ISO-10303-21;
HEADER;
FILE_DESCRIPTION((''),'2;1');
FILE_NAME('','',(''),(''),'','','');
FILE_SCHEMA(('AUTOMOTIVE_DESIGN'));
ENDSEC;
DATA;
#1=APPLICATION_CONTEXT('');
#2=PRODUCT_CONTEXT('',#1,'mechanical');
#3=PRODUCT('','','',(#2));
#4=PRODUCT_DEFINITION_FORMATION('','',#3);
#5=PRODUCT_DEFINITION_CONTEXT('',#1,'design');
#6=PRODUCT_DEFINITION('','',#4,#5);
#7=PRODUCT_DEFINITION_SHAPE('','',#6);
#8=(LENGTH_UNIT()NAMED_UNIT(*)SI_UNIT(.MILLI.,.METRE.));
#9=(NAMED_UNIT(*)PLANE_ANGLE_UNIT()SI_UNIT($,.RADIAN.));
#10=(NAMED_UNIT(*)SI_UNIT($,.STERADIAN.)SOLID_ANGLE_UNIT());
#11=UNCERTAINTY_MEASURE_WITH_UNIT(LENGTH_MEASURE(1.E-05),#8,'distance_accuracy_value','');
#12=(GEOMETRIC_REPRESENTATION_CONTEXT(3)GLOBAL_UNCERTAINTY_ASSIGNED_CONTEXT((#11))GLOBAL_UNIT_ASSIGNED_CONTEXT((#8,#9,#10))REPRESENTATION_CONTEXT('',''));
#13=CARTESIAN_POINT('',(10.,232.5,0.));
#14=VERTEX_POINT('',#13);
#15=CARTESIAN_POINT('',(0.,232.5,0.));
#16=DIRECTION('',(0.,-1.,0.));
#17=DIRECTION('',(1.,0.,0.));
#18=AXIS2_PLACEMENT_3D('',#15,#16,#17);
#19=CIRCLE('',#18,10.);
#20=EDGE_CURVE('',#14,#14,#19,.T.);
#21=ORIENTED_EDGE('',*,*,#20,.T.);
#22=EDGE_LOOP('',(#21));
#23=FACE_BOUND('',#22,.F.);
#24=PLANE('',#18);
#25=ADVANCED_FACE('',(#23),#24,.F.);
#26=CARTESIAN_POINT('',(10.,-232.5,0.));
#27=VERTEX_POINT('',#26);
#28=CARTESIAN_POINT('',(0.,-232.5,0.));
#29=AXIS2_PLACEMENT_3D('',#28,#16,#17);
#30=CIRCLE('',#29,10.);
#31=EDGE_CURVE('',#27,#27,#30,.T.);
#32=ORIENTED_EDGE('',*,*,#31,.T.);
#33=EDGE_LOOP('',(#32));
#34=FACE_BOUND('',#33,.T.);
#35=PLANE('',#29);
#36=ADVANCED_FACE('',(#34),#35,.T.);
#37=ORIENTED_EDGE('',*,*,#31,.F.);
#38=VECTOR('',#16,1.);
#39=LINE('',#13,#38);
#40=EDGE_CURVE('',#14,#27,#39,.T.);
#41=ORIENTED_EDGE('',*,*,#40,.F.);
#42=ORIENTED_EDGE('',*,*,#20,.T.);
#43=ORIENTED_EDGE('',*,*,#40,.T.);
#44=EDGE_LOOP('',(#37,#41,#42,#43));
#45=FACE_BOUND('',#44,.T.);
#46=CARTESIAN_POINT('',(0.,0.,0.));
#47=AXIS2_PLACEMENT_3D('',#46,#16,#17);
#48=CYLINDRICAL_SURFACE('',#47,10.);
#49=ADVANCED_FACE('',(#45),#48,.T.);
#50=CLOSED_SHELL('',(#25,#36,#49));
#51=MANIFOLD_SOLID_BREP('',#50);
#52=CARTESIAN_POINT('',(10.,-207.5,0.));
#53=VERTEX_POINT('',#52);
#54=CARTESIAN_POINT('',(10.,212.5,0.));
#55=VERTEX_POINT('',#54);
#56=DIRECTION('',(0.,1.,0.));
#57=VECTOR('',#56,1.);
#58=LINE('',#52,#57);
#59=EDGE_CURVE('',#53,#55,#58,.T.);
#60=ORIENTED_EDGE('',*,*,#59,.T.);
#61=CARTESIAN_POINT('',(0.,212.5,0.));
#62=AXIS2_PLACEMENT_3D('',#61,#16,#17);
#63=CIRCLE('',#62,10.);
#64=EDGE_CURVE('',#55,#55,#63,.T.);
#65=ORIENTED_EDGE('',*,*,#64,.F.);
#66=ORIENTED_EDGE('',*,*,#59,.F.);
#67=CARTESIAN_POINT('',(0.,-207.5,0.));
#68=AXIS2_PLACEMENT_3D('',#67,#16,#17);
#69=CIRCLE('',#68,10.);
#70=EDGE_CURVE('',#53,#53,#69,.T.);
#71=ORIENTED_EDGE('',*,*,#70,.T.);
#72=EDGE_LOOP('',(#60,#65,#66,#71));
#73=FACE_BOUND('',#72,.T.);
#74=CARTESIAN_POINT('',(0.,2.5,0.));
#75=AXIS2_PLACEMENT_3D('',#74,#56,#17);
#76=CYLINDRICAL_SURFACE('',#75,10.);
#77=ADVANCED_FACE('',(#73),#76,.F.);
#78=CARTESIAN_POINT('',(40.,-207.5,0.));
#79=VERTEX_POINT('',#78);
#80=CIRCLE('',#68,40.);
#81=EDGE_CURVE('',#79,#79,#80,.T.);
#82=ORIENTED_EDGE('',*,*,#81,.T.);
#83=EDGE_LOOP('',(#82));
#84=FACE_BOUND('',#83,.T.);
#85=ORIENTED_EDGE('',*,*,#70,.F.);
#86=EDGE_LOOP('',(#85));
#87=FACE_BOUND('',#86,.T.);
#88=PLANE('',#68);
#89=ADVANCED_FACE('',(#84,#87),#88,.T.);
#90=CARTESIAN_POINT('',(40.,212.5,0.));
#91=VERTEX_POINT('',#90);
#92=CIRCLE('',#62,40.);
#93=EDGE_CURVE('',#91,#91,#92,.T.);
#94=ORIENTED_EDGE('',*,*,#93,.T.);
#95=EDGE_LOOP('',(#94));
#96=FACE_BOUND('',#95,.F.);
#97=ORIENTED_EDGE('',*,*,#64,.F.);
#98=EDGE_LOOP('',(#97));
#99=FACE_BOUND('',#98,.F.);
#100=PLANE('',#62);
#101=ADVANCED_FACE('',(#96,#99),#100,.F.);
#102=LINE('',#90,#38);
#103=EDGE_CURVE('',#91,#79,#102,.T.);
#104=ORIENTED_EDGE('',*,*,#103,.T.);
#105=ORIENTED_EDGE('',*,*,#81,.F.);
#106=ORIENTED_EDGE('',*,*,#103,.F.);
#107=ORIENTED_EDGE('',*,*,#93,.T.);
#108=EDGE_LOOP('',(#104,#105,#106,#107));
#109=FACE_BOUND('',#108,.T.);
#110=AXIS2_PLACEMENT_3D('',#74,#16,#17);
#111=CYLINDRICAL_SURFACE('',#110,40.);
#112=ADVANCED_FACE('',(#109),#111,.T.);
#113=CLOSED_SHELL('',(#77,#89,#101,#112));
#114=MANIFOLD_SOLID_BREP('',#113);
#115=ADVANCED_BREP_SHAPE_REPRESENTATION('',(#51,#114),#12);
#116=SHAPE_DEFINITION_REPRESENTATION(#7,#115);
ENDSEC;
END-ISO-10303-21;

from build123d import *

# Parameters (mm, degrees)
F0_R     = 10
F1_DEPTH = 232.5
F3_R     = 40
F3_R_2   = 10
F4_DEPTH = 210


with BuildPart() as f1:
    # F0 (on Front) → F1 (new body, symmetric)
    with BuildSketch(Plane.XZ):
        Circle(F0_R)
    extrude(amount=F1_DEPTH, both=True)


with BuildPart() as f4:
    # F3 (on offset) → F4 (new body, symmetric)
    with BuildSketch(Plane.XZ.offset(-2.5)):
        Circle(F3_R)
        Circle(F3_R_2, mode=Mode.SUBTRACT)
    extrude(amount=F4_DEPTH, both=True)


solid = Compound([f1.part, f4.part])
